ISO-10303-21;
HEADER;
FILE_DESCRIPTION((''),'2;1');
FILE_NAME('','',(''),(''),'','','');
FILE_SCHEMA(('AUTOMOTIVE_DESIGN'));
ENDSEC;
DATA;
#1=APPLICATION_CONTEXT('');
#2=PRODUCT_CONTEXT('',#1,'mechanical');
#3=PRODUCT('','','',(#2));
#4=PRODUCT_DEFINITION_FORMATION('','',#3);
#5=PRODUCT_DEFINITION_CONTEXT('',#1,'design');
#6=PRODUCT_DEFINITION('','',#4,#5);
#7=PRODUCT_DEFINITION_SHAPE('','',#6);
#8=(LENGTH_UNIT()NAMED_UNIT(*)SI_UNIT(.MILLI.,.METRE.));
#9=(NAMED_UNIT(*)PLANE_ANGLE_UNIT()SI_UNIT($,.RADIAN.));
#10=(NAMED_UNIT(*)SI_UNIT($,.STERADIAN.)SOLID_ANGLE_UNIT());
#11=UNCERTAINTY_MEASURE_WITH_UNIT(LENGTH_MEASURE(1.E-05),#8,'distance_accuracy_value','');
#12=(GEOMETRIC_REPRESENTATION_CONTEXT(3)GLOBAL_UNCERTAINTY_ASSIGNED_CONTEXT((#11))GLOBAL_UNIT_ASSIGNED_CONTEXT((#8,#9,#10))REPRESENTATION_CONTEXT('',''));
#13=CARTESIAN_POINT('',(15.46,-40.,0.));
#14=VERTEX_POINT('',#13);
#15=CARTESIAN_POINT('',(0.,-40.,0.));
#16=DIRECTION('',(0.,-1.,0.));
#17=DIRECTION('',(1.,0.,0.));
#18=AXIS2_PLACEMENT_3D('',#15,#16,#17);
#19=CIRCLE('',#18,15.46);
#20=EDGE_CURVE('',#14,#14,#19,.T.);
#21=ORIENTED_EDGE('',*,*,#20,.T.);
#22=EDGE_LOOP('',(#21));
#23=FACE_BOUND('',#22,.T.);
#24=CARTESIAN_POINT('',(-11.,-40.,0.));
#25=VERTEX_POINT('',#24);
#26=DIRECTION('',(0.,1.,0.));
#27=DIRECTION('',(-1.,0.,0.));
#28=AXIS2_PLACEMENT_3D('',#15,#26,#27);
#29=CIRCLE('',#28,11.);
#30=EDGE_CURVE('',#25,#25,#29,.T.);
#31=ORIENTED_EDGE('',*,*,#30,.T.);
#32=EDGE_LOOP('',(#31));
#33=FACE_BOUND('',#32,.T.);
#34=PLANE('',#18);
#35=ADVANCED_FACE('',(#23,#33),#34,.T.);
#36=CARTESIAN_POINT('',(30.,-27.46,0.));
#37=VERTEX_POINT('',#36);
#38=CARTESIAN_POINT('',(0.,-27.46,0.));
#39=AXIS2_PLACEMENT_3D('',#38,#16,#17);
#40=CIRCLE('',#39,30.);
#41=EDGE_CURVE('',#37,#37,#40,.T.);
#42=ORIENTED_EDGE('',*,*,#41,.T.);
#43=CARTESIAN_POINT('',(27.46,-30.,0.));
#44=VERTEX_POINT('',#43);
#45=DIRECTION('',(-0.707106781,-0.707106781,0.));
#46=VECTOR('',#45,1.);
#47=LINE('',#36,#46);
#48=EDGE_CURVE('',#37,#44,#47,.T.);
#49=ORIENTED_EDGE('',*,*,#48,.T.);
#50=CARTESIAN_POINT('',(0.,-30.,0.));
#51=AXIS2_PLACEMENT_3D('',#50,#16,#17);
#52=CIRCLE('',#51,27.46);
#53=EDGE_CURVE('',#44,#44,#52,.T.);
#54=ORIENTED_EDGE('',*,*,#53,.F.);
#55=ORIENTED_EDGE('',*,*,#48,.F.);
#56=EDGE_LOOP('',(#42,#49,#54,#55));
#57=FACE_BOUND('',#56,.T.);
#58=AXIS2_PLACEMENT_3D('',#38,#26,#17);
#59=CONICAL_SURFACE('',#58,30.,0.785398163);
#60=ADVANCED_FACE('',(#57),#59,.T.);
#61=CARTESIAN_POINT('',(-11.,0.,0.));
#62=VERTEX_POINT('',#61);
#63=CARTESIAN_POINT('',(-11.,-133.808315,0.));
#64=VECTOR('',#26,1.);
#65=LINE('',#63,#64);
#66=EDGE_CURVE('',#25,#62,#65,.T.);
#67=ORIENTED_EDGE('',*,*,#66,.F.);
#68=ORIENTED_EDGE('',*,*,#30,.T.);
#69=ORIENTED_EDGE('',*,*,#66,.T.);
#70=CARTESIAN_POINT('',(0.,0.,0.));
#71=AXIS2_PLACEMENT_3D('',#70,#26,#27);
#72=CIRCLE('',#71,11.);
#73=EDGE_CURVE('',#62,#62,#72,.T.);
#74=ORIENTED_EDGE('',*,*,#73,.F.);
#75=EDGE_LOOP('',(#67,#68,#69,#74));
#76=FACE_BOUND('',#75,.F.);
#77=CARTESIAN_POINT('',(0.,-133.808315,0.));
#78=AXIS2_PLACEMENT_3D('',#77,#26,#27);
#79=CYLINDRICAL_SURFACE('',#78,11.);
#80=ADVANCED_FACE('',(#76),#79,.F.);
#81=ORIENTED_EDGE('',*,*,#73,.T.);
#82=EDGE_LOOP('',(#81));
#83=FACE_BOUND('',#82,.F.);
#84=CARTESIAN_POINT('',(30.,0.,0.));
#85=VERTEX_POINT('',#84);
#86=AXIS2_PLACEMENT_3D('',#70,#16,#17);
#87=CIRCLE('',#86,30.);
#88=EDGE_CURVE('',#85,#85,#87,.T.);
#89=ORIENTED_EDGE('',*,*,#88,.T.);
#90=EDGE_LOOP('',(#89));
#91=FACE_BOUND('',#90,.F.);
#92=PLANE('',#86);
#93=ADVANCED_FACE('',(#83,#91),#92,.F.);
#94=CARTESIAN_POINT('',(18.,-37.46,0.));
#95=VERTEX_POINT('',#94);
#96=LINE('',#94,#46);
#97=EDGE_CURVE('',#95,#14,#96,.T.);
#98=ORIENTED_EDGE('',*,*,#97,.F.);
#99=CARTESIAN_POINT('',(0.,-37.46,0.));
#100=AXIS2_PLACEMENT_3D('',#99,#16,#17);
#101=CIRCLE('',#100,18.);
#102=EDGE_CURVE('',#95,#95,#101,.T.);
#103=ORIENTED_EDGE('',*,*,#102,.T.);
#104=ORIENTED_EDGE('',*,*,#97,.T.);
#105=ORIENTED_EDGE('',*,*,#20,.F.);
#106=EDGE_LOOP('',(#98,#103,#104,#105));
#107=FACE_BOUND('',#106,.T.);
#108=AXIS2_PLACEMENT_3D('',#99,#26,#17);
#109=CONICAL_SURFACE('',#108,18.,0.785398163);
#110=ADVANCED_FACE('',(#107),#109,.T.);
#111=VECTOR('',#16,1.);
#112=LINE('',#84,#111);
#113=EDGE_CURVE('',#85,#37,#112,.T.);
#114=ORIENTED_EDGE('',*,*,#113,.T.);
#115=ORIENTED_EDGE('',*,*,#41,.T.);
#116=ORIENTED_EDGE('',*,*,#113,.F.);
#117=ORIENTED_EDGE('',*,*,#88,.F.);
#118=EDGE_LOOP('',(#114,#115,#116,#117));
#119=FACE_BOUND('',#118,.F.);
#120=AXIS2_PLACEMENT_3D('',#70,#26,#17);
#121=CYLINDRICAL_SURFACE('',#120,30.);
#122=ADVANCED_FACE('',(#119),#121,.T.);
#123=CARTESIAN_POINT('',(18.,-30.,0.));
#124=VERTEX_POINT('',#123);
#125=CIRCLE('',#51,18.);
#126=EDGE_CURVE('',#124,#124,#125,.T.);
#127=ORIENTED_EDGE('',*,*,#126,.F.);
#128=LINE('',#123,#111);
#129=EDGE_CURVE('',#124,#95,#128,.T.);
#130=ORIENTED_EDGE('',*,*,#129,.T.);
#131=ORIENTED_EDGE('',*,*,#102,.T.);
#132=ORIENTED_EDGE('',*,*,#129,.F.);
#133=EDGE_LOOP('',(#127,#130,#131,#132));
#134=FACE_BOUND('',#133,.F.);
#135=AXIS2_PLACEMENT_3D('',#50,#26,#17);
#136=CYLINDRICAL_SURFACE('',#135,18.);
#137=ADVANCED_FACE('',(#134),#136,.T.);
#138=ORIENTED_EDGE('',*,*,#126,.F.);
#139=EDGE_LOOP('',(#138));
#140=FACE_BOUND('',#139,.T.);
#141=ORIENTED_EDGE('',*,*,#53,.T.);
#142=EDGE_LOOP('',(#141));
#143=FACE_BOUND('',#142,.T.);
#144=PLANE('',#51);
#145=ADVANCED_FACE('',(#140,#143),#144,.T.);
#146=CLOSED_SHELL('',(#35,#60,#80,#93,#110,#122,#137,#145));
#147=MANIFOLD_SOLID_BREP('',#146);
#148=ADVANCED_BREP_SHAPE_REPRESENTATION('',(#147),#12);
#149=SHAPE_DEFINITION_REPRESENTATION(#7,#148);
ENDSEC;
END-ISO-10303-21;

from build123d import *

# Parameters (mm, degrees)
F0_R     = 30
F1_DEPTH = 30
F2_R     = 18
F3_DEPTH = 10
F5_D     = 22
F6_SIZE  = 2.54
F7_SIZE  = 2.54


with BuildPart() as f1:
    # F0 (on Front) → F1 (new body)
    with BuildSketch(Plane.XZ):
        Circle(F0_R)
    extrude(amount=F1_DEPTH)

    # F2 (on face) → F3 (join)
    with BuildSketch(Plane.XZ.offset(30)):
        Circle(F2_R)
    extrude(amount=F3_DEPTH)

    # F5 (through all)
    with Locations(Plane.XZ.offset(40)):
        with Locations((0, 0)):
            Hole(F5_D / 2)

    # F6
    f6_edges = [f1.edges().sort_by_distance(p)[0] for p in [
        (-30, -30, 0),
    ]]
    chamfer(f6_edges, length=F6_SIZE)

    # F7
    f7_edges = [f1.edges().sort_by_distance(p)[0] for p in [
        (-18, -40, 0),
    ]]
    chamfer(f7_edges, length=F7_SIZE)


solid = f1.part
